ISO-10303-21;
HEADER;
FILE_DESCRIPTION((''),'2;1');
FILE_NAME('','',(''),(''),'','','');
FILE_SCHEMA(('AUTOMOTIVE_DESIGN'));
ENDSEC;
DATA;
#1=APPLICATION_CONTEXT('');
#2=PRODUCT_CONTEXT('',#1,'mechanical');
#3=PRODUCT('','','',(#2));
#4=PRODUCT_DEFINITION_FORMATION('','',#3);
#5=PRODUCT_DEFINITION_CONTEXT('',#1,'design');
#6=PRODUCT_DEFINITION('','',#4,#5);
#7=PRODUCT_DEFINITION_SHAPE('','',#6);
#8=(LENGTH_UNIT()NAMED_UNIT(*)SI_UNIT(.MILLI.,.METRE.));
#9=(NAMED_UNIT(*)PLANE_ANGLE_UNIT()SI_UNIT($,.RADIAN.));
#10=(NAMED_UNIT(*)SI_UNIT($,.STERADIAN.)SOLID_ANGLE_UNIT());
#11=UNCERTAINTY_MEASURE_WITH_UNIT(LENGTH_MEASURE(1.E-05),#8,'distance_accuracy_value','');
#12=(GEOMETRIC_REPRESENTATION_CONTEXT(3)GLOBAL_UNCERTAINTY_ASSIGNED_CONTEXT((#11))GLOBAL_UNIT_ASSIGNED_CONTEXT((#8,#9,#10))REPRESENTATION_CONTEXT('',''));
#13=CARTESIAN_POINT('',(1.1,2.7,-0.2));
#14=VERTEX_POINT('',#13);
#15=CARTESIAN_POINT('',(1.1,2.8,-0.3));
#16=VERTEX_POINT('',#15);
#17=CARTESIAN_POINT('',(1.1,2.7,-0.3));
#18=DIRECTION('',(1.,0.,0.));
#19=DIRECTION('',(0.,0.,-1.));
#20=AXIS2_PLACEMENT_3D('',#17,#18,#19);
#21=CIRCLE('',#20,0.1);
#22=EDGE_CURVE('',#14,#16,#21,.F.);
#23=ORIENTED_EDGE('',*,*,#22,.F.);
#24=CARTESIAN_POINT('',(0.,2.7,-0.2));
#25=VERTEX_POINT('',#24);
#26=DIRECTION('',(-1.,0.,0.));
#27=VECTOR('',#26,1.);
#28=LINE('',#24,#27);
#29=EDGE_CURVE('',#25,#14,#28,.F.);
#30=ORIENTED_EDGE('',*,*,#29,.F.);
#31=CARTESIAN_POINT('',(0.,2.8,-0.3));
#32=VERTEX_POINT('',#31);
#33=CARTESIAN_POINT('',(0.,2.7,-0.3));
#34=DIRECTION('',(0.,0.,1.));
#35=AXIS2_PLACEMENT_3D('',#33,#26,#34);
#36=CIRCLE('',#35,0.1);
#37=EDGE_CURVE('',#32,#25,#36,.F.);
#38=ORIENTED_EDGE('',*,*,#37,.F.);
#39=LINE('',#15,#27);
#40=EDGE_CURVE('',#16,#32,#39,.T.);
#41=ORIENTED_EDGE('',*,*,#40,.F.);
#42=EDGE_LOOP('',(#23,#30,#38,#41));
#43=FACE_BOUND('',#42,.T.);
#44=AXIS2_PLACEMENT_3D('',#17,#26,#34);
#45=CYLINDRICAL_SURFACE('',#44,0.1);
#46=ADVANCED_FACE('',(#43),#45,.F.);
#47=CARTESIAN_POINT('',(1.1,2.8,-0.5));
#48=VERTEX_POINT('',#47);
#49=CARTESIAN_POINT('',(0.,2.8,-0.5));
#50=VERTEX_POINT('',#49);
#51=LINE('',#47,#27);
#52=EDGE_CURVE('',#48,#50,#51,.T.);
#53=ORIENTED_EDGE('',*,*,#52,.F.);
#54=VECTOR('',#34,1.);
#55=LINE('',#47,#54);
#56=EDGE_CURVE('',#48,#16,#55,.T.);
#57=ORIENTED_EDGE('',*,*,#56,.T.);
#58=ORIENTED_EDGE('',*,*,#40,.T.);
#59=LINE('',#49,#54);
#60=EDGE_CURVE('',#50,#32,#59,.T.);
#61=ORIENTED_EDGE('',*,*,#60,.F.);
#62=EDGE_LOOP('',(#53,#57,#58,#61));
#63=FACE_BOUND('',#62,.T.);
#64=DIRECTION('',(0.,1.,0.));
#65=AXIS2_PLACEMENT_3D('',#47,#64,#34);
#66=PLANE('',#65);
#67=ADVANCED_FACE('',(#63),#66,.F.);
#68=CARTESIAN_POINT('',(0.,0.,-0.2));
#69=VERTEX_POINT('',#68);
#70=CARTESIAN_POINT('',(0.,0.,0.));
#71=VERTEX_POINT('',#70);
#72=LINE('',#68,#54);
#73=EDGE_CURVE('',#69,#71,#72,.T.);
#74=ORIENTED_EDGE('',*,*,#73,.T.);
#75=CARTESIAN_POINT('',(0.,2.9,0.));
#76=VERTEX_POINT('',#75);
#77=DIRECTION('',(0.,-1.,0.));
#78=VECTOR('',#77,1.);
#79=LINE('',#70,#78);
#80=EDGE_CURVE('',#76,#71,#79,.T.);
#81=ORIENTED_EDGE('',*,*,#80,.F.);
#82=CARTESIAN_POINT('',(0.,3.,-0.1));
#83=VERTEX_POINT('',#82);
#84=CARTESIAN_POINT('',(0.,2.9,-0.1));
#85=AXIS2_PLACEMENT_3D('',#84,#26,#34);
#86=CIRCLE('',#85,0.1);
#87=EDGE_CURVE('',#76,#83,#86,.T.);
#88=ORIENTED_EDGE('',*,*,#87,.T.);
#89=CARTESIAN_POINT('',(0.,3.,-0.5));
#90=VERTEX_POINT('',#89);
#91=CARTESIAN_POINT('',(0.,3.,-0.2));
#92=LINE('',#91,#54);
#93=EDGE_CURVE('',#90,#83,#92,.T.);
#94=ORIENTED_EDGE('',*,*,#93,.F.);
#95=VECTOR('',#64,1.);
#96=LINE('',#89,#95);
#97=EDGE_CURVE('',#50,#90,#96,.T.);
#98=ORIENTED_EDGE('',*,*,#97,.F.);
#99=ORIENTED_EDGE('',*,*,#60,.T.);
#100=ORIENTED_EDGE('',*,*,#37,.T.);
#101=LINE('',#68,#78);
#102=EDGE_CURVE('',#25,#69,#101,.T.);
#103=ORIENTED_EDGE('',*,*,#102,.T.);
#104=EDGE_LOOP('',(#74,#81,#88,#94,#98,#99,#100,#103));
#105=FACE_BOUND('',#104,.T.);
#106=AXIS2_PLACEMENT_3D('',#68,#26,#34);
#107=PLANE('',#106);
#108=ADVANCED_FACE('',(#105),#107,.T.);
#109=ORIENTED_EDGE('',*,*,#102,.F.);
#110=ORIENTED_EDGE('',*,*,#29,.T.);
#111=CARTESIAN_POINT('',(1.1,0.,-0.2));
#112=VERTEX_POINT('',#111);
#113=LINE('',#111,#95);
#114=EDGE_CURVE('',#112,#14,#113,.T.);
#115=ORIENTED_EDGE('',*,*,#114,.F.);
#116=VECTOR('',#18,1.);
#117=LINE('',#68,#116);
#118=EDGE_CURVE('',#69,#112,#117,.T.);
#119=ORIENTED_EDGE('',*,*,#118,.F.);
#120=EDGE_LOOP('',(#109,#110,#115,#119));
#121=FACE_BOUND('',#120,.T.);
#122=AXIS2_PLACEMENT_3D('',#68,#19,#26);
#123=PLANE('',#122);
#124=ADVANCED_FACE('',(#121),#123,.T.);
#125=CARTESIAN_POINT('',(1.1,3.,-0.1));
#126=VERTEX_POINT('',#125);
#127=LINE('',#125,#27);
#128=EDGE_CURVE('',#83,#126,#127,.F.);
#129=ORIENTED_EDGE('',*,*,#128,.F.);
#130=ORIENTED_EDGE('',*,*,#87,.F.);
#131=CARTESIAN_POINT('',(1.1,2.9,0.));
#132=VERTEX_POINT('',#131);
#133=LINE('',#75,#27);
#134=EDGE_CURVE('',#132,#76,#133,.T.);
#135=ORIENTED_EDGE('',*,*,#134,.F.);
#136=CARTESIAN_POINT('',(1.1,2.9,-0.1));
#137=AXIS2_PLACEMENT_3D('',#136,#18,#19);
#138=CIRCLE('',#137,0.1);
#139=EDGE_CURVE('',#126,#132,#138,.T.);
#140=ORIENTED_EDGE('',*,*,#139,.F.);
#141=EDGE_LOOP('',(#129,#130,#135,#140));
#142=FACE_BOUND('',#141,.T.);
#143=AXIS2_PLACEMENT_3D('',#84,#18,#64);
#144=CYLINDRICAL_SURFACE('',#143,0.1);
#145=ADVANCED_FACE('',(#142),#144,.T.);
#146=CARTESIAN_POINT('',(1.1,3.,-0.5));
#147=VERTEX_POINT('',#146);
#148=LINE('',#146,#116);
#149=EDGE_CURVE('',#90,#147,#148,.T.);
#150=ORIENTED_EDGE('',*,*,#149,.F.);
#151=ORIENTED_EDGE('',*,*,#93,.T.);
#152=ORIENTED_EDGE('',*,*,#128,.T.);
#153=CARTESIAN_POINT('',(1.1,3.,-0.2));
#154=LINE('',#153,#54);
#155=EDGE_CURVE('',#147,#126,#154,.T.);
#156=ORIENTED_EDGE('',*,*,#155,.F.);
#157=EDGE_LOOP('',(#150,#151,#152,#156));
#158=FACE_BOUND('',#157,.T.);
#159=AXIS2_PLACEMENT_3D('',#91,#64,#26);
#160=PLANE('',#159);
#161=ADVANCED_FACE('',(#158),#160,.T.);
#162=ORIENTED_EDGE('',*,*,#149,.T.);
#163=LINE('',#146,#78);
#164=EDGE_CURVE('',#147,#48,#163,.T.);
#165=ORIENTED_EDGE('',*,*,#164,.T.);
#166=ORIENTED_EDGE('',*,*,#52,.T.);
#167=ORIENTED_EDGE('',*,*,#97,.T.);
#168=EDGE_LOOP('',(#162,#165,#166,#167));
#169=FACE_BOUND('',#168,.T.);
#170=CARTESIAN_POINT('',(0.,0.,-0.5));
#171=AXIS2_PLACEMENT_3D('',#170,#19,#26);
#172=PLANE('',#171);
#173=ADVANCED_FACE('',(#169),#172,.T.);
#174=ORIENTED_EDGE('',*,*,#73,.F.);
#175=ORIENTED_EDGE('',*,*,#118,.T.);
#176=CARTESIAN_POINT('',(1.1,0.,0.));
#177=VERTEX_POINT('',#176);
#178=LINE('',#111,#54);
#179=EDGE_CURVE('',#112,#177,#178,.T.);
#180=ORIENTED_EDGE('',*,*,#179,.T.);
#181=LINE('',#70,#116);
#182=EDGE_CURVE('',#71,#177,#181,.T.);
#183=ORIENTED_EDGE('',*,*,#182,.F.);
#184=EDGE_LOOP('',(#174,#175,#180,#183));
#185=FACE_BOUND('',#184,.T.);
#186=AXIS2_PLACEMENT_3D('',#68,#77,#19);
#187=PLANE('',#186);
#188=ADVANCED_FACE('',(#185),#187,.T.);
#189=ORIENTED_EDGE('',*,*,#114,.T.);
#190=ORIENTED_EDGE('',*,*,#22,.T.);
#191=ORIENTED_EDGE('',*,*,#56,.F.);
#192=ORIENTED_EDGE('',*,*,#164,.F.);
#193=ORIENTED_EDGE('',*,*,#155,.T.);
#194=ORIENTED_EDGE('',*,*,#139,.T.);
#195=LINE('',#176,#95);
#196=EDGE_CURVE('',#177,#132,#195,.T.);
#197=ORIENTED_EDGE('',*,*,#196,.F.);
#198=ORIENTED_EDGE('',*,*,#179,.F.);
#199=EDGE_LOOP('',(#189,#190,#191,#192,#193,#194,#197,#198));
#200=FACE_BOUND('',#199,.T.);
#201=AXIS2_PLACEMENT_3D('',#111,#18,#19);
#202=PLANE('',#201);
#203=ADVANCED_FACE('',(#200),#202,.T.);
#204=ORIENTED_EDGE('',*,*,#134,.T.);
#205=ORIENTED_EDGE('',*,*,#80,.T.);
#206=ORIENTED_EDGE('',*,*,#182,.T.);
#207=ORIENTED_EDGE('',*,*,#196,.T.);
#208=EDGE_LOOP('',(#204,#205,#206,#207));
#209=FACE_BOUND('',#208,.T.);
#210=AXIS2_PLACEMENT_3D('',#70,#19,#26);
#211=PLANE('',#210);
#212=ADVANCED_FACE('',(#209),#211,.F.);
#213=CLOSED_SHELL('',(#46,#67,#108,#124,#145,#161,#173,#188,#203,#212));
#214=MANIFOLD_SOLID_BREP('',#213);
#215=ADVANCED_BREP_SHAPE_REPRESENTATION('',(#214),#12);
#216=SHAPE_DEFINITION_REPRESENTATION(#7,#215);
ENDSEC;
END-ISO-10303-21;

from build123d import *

# Parameters (mm, degrees)
ESQUISSE1_W        = 1.1
ESQUISSE1_H        = 3
BOSS_EXTRU_1_DEPTH = 0.2
ESQUISSE2_W        = 1.1
ESQUISSE2_H        = 0.2
BOSS_EXTRU_2_DEPTH = 0.3
CONG_1_R           = 0.1


with BuildPart() as part:
    # Esquisse1 → Boss.-Extru.1 (new body)
    with BuildSketch(Plane.XY):
        with Locations((0.55, 1.5)):
            Rectangle(ESQUISSE1_W, ESQUISSE1_H)
    extrude(amount=-BOSS_EXTRU_1_DEPTH)

    # Esquisse2 → Boss.-Extru.2 (add)
    with BuildSketch(Plane(origin=(0, 0, -0.2), x_dir=(-1, 0, 0), z_dir=(0, 0, -1))):
        with Locations((-0.55, 2.9)):
            Rectangle(ESQUISSE2_W, ESQUISSE2_H)
    extrude(amount=BOSS_EXTRU_2_DEPTH)

    # Congé1
    cong_1_edges = [part.edges().sort_by_distance(p)[0] for p in [
        (0.55, 3, 0),
        (0.55, 2.8, -0.2),
    ]]
    fillet(cong_1_edges, radius=CONG_1_R)


solid = part.part
